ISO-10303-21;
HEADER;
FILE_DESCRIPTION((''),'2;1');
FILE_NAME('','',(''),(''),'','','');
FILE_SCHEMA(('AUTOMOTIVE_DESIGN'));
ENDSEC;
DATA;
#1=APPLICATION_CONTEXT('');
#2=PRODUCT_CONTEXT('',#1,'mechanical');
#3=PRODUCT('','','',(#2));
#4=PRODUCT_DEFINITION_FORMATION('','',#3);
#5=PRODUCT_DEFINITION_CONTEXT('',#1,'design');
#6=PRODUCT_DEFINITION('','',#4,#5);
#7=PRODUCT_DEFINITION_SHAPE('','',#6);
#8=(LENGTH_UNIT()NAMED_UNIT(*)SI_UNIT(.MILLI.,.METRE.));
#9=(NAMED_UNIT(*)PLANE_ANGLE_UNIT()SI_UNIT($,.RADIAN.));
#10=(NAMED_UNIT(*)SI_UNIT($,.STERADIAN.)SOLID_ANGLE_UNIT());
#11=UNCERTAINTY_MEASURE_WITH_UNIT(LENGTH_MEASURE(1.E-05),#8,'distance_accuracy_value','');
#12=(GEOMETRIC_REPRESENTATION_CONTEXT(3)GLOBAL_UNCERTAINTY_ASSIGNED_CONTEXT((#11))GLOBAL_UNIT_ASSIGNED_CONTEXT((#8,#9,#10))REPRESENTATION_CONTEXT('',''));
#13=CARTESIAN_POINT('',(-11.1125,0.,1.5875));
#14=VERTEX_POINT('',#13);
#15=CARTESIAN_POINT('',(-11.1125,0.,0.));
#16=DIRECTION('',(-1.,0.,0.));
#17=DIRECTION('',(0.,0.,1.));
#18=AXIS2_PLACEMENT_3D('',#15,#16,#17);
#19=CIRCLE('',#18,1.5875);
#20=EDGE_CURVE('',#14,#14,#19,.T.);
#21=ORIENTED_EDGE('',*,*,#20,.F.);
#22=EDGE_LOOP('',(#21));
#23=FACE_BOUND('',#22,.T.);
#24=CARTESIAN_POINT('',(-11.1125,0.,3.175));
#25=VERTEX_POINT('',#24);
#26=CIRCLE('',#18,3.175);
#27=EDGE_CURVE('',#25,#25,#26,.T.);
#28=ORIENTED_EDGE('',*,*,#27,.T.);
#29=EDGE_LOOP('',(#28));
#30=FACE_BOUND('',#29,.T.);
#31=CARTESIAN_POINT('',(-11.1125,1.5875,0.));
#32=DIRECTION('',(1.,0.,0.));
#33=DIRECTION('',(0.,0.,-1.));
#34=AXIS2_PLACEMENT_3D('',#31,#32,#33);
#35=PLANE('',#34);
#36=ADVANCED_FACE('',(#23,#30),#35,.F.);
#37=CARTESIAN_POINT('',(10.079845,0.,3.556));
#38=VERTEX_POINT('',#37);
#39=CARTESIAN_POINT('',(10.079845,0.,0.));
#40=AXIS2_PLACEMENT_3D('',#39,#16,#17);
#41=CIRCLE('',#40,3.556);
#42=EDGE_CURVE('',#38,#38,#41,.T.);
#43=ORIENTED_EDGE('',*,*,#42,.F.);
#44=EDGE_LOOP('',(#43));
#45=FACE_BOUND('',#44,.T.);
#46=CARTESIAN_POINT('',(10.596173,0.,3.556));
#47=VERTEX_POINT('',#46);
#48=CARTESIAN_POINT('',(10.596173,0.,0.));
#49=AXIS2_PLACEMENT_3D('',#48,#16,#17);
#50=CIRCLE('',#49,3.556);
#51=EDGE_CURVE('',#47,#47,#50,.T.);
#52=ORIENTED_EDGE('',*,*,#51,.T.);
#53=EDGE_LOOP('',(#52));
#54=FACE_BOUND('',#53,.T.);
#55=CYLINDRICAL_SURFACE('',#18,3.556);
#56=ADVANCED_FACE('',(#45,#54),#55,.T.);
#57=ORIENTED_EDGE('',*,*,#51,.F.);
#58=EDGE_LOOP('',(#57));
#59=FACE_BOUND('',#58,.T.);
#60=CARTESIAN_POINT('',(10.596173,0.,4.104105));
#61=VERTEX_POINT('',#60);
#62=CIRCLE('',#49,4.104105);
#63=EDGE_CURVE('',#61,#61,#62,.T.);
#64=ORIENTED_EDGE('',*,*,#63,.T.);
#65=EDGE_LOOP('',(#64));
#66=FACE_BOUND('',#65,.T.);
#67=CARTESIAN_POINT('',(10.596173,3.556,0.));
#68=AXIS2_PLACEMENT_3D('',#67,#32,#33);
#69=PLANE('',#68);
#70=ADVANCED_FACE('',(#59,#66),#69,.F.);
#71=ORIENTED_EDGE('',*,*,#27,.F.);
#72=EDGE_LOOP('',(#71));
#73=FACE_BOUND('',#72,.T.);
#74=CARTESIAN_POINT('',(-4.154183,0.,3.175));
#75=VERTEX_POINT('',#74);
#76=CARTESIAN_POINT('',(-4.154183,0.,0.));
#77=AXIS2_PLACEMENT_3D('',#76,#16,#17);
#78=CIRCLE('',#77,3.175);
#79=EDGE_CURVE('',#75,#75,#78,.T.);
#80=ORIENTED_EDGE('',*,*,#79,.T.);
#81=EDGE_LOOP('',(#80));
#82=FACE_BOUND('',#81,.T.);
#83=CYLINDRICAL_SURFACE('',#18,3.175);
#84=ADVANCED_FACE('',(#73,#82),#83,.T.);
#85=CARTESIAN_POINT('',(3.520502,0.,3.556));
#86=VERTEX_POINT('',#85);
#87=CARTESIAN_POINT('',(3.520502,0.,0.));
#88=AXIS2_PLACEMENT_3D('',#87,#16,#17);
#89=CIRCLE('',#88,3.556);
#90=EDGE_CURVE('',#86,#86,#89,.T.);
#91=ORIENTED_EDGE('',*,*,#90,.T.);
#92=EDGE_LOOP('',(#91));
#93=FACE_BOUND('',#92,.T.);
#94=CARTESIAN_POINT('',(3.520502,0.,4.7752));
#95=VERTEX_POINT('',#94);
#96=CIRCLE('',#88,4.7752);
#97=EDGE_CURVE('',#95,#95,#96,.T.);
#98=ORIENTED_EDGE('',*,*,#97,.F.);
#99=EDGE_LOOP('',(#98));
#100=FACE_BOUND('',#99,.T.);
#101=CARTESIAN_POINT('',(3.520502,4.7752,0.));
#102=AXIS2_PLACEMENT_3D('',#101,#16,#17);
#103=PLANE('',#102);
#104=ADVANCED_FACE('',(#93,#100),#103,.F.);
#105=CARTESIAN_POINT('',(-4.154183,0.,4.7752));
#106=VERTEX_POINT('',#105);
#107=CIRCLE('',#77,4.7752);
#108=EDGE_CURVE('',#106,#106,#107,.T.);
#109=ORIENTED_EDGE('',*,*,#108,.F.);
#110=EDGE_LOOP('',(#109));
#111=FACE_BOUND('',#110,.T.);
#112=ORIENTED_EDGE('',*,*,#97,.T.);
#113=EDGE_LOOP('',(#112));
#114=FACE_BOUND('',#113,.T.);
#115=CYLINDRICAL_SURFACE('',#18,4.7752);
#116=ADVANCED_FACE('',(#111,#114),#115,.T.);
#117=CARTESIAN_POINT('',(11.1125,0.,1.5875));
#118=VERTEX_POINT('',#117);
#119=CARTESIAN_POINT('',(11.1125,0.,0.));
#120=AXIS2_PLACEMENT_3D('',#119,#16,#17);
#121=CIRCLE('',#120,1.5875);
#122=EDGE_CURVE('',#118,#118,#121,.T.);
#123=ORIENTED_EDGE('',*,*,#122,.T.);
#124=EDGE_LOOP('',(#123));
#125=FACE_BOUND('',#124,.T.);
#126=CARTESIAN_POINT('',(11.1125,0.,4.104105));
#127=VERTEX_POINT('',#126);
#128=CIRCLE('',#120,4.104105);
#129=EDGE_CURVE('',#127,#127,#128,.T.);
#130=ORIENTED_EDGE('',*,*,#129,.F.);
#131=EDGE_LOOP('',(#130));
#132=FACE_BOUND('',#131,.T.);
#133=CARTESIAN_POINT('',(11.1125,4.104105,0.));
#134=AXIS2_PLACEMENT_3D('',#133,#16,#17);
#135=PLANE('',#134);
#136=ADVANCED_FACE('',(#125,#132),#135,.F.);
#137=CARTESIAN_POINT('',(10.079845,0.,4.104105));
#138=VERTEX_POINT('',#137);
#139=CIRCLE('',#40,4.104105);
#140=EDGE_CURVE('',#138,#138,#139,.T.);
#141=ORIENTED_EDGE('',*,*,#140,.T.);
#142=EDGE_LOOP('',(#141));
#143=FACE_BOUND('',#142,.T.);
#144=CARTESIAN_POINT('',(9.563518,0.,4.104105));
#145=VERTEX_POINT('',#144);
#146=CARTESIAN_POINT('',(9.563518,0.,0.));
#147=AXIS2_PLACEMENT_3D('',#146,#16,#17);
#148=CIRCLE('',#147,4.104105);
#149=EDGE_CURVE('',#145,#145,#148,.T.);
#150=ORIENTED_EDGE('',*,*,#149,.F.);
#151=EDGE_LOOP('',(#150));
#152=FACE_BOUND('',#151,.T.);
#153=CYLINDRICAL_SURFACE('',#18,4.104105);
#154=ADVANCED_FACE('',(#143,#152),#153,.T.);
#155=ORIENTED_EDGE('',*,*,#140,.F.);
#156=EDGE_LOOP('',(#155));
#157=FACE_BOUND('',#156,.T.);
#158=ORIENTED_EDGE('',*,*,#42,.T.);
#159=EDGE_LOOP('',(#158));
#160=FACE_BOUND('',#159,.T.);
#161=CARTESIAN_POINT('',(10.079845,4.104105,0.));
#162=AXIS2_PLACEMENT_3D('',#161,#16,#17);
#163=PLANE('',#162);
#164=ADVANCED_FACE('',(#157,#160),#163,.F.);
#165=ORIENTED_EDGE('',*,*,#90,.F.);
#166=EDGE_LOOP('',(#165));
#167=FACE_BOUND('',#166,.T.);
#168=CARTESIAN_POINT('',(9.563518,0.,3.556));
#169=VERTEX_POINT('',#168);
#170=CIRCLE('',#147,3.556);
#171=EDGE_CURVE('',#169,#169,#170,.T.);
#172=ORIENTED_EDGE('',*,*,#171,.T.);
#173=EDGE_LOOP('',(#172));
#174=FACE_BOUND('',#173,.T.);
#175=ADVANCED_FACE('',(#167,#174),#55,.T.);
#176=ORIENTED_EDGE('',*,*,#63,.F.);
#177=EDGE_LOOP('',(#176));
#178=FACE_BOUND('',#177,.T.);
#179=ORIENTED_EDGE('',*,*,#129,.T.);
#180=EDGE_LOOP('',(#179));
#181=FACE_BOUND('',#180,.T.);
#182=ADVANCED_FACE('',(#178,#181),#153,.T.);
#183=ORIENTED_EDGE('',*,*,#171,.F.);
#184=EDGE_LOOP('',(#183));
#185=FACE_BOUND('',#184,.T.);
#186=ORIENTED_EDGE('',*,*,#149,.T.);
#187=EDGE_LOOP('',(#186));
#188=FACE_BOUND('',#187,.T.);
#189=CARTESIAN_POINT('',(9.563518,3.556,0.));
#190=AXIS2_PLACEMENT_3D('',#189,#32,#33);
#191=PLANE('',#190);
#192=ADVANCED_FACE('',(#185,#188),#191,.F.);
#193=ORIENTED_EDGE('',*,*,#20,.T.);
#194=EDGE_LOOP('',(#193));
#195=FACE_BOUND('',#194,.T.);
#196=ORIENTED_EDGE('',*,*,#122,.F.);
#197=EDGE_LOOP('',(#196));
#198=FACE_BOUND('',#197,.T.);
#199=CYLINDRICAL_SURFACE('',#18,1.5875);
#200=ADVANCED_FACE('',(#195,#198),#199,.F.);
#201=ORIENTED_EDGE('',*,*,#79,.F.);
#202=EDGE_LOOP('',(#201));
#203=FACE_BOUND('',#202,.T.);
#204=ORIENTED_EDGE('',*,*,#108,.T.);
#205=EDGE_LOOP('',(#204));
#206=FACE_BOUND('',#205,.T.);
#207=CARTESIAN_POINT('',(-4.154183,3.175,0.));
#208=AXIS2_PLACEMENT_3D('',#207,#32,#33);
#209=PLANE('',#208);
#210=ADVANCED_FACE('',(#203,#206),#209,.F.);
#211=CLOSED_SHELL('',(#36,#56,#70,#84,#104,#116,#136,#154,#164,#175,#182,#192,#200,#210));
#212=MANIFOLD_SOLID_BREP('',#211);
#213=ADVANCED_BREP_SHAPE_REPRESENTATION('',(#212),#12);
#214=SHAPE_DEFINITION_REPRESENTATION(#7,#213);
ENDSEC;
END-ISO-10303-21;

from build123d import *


with BuildPart() as part:
    # Sketch1 → Revolve1 (revolve)
    with BuildSketch(Plane.XY):
        Polygon((-11.1125, 1.5875), (-11.1125, 3.175), (-4.154182796, 3.175), (-4.154182796, 4.7752), (3.520501581, 4.7752), (3.520501581, 3.556), (9.563518218, 3.556), (9.563518218, 4.104105118), (10.079845478, 4.104105118), (10.079845478, 3.556), (10.596172739, 3.556), (10.596172739, 4.104105118), (11.1125, 4.104105118), (11.1125, 1.5875), align=None)
    revolve(axis=Axis((-11.1125, 0, 0), (1, 0, 0)))


solid = part.part
